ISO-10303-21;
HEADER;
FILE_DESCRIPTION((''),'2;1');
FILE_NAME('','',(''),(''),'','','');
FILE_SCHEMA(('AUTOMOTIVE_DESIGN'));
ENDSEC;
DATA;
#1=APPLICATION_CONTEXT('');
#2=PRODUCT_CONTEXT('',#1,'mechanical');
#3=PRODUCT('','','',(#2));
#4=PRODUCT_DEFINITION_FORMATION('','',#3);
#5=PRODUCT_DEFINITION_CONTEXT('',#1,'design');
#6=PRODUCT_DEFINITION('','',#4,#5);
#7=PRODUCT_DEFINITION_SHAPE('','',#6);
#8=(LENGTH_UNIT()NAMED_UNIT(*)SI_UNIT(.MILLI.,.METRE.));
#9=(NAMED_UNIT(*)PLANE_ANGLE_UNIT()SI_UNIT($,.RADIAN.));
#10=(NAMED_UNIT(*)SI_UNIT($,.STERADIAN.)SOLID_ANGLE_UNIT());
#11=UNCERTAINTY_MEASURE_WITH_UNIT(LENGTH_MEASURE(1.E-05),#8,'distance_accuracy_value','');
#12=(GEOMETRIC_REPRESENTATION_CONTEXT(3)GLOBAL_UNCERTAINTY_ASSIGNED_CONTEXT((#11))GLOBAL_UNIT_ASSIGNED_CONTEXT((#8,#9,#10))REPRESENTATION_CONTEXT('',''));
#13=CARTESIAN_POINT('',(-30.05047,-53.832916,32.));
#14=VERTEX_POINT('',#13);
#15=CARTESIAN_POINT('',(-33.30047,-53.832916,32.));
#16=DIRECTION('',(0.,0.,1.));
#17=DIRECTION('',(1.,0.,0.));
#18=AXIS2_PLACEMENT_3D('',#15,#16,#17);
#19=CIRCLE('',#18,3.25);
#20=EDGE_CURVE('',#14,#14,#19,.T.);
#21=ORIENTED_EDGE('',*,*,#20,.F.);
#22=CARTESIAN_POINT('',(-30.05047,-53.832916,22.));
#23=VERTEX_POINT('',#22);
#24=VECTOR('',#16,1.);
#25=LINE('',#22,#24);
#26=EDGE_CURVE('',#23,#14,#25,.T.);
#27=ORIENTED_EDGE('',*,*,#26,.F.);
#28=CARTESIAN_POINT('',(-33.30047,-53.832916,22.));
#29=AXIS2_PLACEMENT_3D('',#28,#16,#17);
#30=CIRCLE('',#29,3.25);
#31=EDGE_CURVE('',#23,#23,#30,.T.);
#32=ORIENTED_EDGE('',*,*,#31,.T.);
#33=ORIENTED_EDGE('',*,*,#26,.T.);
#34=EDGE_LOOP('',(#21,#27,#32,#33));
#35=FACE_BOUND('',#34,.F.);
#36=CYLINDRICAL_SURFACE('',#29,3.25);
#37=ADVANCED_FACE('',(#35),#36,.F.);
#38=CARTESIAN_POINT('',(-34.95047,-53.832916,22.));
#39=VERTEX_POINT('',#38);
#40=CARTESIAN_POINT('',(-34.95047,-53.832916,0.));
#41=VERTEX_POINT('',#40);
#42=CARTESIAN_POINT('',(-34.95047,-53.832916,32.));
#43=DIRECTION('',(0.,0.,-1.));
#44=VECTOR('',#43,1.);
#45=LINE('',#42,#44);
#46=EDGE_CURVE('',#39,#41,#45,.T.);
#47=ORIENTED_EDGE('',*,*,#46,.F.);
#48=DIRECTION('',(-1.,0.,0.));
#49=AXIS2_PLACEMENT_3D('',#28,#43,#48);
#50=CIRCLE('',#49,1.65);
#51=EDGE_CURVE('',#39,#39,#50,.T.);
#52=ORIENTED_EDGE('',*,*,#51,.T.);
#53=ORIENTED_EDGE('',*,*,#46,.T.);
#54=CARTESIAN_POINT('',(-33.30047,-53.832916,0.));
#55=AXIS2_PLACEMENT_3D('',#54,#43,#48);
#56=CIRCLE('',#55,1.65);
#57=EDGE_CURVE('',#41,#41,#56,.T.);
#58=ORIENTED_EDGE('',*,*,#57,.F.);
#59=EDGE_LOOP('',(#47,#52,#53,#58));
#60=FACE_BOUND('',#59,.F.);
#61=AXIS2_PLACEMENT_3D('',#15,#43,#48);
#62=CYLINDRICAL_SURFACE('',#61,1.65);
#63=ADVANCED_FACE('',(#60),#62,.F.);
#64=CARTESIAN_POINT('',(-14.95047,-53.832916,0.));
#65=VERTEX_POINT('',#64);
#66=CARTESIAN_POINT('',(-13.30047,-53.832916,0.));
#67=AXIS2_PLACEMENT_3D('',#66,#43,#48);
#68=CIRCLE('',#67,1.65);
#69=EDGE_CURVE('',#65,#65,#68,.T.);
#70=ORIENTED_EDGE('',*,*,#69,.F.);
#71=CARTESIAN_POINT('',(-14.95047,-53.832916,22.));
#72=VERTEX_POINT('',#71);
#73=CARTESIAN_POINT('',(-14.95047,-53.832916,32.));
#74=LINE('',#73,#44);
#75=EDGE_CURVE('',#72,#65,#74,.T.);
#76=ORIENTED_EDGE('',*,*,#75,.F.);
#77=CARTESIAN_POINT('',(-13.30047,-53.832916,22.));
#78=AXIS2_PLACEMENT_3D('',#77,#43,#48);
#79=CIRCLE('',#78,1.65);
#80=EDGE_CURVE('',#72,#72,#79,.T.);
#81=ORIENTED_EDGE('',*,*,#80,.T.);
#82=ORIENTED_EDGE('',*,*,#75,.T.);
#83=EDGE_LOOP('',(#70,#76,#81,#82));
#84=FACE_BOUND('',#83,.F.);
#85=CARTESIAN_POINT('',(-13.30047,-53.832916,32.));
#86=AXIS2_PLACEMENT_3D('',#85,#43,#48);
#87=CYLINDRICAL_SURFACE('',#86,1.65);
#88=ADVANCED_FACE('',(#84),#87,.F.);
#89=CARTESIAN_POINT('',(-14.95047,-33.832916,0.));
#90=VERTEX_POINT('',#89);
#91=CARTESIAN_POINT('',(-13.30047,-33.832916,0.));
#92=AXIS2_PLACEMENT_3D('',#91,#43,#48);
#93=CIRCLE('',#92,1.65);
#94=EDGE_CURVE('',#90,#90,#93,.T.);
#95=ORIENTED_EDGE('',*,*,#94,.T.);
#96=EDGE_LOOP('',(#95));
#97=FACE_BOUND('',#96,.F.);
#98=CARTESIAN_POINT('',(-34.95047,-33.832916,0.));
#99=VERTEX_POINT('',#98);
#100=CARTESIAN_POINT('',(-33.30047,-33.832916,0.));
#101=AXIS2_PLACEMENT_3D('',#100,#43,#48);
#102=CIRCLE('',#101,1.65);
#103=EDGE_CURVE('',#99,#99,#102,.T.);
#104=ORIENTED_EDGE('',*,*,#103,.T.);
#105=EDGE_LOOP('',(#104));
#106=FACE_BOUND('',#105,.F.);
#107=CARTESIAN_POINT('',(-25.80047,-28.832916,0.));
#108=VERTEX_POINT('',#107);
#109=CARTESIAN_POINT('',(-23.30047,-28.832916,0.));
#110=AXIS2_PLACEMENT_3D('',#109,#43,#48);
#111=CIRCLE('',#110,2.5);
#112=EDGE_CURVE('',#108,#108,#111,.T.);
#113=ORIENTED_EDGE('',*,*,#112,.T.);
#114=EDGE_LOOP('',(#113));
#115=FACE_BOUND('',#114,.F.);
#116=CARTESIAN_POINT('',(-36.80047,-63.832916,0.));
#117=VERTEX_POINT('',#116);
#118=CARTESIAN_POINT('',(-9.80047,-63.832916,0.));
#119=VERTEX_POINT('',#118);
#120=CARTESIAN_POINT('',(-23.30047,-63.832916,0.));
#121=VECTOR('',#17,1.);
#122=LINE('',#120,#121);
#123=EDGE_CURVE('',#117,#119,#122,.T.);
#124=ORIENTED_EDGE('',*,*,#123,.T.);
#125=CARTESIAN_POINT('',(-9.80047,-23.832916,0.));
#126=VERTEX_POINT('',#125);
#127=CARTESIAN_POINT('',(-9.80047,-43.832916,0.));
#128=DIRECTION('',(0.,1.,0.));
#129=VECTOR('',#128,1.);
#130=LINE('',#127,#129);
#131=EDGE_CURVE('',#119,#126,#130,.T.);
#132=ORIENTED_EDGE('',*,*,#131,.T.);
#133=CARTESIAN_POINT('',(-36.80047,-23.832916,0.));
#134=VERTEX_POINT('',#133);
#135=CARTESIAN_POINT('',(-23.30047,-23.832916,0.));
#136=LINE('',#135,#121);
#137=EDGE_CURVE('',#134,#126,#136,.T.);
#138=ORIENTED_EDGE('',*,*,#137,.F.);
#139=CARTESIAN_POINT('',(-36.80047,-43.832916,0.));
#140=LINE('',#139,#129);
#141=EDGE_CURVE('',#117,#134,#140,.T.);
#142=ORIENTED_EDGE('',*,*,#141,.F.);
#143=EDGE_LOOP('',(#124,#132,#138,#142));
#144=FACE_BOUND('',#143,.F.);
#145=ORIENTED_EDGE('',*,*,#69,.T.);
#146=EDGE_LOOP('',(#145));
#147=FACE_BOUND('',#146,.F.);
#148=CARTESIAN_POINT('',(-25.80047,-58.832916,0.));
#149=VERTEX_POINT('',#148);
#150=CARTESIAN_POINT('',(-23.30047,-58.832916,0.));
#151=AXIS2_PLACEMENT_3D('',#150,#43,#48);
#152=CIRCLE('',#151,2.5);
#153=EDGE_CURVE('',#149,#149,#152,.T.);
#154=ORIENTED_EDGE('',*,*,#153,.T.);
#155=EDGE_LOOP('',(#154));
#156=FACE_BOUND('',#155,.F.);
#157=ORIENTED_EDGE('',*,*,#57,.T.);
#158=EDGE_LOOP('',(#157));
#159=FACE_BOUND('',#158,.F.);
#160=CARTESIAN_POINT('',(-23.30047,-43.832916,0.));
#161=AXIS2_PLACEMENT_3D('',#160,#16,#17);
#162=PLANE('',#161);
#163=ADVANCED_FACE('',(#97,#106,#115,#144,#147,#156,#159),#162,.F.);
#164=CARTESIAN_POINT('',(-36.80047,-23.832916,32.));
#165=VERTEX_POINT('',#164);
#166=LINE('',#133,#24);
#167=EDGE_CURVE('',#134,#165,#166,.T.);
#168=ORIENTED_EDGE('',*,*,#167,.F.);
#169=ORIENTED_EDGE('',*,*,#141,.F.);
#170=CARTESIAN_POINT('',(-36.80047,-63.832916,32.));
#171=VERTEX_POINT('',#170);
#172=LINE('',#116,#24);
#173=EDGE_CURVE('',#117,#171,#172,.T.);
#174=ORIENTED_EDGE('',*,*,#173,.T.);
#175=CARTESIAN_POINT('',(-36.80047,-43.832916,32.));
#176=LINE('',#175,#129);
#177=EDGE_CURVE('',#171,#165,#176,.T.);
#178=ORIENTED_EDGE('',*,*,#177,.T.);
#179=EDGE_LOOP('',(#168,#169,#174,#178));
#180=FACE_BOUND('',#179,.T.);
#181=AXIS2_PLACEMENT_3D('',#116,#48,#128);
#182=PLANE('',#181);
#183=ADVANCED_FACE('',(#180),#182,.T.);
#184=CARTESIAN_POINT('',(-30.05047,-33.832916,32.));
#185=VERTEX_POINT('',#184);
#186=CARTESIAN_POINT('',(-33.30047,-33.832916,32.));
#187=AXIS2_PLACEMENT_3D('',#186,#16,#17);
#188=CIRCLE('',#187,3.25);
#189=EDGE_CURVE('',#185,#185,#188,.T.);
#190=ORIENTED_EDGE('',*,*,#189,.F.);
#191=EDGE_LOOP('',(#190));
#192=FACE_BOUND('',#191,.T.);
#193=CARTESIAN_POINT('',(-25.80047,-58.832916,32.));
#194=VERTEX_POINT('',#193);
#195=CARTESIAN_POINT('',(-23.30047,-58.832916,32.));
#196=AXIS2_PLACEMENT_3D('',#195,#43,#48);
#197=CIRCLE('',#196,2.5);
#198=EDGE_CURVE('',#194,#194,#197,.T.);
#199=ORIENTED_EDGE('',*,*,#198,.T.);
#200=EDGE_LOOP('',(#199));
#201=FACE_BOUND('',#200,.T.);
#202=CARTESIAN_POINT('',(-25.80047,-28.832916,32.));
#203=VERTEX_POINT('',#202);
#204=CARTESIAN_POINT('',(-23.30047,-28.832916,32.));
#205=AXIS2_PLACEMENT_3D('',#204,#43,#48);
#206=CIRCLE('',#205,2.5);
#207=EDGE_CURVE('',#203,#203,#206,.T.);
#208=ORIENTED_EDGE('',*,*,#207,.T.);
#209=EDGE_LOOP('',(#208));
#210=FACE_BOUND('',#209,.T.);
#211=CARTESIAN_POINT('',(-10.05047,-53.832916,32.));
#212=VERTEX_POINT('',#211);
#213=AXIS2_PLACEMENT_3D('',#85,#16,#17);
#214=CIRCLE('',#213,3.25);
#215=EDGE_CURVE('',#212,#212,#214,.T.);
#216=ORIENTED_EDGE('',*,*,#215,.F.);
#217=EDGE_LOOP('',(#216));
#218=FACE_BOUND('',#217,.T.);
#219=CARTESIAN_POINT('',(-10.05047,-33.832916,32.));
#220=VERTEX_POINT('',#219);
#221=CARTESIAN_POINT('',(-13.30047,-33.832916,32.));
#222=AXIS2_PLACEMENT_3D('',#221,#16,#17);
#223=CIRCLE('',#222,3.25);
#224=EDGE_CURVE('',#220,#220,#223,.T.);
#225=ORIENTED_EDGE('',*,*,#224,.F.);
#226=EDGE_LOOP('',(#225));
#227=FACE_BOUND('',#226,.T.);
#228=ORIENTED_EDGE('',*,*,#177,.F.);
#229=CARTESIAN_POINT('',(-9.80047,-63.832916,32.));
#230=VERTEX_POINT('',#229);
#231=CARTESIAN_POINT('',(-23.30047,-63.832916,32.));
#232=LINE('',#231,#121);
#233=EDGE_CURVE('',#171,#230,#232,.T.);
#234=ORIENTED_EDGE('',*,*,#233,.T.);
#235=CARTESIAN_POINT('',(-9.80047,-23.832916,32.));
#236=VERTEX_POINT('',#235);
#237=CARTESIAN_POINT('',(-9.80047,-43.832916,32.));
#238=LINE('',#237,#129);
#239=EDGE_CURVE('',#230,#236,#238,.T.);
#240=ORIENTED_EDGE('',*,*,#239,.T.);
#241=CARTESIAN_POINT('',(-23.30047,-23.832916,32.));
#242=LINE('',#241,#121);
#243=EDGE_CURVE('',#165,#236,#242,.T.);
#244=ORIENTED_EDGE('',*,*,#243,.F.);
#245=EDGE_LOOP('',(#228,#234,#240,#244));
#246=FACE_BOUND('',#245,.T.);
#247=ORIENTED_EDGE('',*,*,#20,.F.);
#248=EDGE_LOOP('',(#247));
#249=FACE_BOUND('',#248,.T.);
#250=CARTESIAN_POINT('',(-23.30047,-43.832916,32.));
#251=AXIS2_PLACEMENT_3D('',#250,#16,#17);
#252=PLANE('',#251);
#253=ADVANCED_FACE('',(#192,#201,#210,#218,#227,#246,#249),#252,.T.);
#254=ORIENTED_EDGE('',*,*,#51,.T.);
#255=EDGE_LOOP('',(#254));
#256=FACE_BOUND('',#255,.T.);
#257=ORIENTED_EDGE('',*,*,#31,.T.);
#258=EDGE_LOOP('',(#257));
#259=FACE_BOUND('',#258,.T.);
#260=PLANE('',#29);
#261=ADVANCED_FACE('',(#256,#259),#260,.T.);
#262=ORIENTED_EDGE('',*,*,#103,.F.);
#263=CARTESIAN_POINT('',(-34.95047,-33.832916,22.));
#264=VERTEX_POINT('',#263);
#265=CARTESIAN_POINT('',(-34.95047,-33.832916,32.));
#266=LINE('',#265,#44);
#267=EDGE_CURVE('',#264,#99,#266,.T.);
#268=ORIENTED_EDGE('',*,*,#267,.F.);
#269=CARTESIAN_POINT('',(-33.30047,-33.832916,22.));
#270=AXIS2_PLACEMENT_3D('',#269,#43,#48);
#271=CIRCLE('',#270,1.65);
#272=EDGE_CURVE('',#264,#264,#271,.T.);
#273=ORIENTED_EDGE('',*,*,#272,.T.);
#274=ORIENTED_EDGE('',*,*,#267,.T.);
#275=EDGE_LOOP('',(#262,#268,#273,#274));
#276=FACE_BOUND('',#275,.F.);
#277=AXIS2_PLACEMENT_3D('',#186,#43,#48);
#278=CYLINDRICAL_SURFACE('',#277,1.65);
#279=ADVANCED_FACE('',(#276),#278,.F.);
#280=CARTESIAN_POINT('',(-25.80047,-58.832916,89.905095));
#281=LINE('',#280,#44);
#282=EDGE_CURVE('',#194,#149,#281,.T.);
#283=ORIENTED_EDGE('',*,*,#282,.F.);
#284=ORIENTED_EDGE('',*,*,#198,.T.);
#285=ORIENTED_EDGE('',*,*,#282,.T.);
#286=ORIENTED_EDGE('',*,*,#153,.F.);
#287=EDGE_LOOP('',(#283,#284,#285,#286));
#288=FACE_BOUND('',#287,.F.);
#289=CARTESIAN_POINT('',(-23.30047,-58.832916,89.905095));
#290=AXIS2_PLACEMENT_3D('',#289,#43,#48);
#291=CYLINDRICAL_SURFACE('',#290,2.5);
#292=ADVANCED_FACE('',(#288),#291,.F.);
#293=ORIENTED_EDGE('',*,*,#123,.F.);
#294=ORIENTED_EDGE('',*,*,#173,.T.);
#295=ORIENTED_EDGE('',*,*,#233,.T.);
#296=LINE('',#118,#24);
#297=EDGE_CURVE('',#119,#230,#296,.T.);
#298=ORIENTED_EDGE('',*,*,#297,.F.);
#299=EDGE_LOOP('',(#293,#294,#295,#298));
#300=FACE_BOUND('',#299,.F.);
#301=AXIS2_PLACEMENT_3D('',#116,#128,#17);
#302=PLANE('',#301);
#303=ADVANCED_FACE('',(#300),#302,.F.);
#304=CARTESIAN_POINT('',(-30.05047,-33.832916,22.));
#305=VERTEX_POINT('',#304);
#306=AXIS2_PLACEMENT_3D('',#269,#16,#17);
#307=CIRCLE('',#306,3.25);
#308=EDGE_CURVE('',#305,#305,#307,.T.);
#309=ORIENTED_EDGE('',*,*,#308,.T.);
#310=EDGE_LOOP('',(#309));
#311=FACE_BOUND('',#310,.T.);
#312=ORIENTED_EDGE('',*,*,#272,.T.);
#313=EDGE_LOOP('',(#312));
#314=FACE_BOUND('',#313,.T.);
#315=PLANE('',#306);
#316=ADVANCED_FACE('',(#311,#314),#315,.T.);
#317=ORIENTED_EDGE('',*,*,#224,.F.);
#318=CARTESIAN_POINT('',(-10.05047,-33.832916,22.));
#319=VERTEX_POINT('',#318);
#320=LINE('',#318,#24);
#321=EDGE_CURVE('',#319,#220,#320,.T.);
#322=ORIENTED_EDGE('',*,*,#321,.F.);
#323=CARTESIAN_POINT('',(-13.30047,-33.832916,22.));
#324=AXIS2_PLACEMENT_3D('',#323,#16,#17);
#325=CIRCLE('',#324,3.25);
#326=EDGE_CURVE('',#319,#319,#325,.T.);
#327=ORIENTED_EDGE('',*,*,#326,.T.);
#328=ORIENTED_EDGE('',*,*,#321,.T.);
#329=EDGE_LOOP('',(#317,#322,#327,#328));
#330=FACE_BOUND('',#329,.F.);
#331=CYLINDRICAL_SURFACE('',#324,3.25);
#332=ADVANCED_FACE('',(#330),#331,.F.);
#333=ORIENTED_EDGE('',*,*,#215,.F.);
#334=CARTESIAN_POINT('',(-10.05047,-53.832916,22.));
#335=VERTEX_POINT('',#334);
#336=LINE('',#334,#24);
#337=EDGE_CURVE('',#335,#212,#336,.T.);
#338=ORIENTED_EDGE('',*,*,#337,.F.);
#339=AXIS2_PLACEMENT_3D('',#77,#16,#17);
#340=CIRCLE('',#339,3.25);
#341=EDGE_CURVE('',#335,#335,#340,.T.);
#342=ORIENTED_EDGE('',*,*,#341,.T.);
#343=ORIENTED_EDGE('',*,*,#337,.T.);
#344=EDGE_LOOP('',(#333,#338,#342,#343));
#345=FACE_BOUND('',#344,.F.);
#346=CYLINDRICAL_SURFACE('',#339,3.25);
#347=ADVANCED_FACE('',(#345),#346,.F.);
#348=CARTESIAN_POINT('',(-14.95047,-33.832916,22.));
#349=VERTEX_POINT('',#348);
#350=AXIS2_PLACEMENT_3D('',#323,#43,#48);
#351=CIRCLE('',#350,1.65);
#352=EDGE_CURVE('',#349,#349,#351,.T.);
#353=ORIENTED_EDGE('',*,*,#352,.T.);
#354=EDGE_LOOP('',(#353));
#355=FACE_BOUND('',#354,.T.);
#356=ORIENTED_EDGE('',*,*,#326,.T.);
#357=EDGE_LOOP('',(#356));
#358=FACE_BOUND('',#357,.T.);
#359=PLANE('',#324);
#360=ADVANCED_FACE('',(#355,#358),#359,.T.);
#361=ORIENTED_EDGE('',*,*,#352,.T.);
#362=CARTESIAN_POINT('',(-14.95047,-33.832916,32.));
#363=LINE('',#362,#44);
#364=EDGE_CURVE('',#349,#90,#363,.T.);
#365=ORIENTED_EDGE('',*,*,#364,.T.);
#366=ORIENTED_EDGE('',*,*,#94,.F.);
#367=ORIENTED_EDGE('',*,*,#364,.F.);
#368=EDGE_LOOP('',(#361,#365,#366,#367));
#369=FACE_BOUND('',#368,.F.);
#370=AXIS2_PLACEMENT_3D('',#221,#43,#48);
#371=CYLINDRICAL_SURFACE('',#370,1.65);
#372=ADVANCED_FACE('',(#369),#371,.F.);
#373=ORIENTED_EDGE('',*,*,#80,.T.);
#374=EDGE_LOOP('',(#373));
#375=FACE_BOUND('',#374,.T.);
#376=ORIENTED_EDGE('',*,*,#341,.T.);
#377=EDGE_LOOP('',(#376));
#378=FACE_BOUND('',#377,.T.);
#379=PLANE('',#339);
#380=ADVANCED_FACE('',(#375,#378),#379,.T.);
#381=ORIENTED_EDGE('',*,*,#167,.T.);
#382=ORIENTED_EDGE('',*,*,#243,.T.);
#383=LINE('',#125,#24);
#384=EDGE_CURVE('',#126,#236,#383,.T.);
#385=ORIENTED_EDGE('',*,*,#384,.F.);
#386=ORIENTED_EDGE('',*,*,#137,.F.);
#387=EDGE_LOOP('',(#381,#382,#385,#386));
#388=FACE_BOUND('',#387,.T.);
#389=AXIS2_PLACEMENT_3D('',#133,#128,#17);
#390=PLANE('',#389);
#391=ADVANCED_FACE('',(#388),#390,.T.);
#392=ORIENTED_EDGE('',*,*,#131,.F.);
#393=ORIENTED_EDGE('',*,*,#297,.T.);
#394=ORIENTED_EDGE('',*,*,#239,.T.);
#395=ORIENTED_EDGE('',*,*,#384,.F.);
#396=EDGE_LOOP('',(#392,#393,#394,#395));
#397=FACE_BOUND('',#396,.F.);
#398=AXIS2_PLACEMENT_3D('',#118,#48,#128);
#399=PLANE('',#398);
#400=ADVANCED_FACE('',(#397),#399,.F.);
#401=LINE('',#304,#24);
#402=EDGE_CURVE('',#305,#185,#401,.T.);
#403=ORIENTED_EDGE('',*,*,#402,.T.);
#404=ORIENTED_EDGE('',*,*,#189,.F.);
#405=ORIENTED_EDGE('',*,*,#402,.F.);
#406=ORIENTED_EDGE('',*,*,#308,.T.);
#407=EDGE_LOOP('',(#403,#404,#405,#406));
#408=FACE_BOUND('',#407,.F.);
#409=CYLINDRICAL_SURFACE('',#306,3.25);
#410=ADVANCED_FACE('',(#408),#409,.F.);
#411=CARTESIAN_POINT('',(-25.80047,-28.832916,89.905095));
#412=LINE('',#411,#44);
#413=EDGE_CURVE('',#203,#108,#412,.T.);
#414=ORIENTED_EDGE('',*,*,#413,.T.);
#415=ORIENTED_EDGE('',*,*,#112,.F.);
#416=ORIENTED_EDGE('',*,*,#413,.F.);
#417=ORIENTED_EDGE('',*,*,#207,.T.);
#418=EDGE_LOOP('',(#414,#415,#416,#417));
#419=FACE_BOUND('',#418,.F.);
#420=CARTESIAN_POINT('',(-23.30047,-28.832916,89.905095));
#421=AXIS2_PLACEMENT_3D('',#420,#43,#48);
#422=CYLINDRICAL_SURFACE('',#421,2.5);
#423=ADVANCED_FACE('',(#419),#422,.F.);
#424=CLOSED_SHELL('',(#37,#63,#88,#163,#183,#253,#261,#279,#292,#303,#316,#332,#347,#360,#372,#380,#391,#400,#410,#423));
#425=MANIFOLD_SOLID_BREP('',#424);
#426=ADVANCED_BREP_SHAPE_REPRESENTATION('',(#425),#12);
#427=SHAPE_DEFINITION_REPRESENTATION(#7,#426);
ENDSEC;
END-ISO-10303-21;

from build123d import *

# Parameters (mm, degrees)
F0_W           = 27
F0_H           = 40
F1_DEPTH       = 32
F3_D           = 3.3
F3_CBORE_D     = 6.5
F3_CBORE_DEPTH = 10
F4_D           = 5


with BuildPart() as f1:
    # F0 (on Top) → F1 (new body)
    with BuildSketch(Plane.XY):
        with Locations((-23.3004702032, -43.8329163194)):
            Rectangle(F0_W, F0_H)
    extrude(amount=F1_DEPTH)

    # F3 (through all)
    with Locations(Plane.XY.offset(32)):
        with Locations((-33.3004702032, -33.8329163194), (-13.3004702032, -33.8329163194), (-13.3004702032, -53.8329163194), (-33.3004702032, -53.8329163194)):
            CounterBoreHole(F3_D / 2, F3_CBORE_D / 2, F3_CBORE_DEPTH)

    # F4 (through all)
    with Locations(Plane.XY.offset(32)):
        with Locations((-23.3004702032, -28.8329163194), (-23.3004702032, -58.8329163194)):
            Hole(F4_D / 2)


solid = f1.part
